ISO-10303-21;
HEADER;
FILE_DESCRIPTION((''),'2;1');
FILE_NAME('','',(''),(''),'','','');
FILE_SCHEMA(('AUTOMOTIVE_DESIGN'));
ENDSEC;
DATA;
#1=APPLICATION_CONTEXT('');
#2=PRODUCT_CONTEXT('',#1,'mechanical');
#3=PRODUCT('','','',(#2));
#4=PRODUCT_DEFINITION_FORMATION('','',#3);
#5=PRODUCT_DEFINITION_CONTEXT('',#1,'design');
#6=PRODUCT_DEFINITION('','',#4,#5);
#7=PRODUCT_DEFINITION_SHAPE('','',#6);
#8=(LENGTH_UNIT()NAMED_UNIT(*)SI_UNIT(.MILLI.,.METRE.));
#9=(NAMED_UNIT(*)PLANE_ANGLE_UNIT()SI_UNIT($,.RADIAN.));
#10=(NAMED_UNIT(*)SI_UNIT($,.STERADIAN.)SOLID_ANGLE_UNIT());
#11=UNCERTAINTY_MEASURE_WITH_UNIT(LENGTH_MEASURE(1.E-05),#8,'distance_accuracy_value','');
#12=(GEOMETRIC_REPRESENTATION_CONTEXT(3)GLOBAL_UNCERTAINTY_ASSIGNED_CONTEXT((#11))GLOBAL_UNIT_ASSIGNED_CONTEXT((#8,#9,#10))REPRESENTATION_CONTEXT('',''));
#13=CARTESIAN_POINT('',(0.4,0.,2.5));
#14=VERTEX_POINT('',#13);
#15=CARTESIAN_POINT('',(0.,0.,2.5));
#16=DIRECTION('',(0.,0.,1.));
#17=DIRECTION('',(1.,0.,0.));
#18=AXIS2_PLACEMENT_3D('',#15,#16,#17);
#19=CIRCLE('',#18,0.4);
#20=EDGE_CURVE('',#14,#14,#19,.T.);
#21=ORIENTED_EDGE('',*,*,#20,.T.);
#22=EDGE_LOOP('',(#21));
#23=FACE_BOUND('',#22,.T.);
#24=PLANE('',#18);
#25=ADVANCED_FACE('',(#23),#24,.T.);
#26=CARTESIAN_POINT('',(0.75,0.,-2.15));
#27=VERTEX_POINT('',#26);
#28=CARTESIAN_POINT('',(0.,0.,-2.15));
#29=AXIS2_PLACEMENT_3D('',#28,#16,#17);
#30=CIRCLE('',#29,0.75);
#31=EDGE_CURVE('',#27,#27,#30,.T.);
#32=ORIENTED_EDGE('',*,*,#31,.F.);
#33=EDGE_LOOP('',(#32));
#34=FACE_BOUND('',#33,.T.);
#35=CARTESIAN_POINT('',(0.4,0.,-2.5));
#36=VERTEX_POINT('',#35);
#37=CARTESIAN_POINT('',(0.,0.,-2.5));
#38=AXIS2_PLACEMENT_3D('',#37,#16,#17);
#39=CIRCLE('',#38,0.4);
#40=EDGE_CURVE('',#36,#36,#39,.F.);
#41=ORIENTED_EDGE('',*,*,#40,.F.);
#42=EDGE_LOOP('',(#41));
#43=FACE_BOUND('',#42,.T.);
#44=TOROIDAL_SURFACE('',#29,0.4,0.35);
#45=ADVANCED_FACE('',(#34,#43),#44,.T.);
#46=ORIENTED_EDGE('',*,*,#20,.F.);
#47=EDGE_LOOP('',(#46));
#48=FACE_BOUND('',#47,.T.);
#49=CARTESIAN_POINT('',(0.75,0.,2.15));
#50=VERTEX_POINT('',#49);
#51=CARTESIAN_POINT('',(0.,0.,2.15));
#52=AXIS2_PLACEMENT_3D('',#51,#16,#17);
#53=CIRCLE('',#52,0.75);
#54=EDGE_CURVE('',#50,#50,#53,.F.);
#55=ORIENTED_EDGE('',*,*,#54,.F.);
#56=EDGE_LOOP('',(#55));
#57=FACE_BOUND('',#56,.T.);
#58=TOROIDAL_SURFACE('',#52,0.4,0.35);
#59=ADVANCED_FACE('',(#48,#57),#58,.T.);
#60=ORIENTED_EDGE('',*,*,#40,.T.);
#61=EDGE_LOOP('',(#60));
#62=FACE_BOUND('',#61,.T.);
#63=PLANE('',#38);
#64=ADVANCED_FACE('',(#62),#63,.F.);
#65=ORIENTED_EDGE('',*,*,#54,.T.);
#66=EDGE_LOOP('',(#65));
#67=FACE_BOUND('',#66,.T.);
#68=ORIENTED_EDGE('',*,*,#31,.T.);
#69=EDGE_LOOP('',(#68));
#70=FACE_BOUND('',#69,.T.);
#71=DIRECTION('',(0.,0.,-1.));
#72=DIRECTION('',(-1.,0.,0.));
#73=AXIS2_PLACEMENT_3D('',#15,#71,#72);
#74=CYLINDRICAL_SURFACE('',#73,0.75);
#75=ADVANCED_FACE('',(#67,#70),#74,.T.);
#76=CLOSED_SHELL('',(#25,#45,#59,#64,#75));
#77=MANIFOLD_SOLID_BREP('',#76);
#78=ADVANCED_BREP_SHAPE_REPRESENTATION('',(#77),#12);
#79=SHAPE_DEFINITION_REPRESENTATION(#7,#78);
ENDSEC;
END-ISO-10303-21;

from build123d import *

# Parameters (mm, degrees)
SKETCH1_R           = 0.75
BOSS_EXTRUDE1_DEPTH = 2.5
FILLET1_R           = 0.35


with BuildPart() as part:
    # Sketch1 → Boss-Extrude1 (new body, symmetric)
    with BuildSketch(Plane.XY):
        Circle(SKETCH1_R)
    extrude(amount=BOSS_EXTRUDE1_DEPTH, both=True)

    # Fillet1
    fillet1_edges = [part.edges().sort_by_distance(p)[0] for p in [
        (-0.75, 0, -2.5),
        (-0.75, 0, 2.5),
    ]]
    fillet(fillet1_edges, radius=FILLET1_R)


solid = part.part
